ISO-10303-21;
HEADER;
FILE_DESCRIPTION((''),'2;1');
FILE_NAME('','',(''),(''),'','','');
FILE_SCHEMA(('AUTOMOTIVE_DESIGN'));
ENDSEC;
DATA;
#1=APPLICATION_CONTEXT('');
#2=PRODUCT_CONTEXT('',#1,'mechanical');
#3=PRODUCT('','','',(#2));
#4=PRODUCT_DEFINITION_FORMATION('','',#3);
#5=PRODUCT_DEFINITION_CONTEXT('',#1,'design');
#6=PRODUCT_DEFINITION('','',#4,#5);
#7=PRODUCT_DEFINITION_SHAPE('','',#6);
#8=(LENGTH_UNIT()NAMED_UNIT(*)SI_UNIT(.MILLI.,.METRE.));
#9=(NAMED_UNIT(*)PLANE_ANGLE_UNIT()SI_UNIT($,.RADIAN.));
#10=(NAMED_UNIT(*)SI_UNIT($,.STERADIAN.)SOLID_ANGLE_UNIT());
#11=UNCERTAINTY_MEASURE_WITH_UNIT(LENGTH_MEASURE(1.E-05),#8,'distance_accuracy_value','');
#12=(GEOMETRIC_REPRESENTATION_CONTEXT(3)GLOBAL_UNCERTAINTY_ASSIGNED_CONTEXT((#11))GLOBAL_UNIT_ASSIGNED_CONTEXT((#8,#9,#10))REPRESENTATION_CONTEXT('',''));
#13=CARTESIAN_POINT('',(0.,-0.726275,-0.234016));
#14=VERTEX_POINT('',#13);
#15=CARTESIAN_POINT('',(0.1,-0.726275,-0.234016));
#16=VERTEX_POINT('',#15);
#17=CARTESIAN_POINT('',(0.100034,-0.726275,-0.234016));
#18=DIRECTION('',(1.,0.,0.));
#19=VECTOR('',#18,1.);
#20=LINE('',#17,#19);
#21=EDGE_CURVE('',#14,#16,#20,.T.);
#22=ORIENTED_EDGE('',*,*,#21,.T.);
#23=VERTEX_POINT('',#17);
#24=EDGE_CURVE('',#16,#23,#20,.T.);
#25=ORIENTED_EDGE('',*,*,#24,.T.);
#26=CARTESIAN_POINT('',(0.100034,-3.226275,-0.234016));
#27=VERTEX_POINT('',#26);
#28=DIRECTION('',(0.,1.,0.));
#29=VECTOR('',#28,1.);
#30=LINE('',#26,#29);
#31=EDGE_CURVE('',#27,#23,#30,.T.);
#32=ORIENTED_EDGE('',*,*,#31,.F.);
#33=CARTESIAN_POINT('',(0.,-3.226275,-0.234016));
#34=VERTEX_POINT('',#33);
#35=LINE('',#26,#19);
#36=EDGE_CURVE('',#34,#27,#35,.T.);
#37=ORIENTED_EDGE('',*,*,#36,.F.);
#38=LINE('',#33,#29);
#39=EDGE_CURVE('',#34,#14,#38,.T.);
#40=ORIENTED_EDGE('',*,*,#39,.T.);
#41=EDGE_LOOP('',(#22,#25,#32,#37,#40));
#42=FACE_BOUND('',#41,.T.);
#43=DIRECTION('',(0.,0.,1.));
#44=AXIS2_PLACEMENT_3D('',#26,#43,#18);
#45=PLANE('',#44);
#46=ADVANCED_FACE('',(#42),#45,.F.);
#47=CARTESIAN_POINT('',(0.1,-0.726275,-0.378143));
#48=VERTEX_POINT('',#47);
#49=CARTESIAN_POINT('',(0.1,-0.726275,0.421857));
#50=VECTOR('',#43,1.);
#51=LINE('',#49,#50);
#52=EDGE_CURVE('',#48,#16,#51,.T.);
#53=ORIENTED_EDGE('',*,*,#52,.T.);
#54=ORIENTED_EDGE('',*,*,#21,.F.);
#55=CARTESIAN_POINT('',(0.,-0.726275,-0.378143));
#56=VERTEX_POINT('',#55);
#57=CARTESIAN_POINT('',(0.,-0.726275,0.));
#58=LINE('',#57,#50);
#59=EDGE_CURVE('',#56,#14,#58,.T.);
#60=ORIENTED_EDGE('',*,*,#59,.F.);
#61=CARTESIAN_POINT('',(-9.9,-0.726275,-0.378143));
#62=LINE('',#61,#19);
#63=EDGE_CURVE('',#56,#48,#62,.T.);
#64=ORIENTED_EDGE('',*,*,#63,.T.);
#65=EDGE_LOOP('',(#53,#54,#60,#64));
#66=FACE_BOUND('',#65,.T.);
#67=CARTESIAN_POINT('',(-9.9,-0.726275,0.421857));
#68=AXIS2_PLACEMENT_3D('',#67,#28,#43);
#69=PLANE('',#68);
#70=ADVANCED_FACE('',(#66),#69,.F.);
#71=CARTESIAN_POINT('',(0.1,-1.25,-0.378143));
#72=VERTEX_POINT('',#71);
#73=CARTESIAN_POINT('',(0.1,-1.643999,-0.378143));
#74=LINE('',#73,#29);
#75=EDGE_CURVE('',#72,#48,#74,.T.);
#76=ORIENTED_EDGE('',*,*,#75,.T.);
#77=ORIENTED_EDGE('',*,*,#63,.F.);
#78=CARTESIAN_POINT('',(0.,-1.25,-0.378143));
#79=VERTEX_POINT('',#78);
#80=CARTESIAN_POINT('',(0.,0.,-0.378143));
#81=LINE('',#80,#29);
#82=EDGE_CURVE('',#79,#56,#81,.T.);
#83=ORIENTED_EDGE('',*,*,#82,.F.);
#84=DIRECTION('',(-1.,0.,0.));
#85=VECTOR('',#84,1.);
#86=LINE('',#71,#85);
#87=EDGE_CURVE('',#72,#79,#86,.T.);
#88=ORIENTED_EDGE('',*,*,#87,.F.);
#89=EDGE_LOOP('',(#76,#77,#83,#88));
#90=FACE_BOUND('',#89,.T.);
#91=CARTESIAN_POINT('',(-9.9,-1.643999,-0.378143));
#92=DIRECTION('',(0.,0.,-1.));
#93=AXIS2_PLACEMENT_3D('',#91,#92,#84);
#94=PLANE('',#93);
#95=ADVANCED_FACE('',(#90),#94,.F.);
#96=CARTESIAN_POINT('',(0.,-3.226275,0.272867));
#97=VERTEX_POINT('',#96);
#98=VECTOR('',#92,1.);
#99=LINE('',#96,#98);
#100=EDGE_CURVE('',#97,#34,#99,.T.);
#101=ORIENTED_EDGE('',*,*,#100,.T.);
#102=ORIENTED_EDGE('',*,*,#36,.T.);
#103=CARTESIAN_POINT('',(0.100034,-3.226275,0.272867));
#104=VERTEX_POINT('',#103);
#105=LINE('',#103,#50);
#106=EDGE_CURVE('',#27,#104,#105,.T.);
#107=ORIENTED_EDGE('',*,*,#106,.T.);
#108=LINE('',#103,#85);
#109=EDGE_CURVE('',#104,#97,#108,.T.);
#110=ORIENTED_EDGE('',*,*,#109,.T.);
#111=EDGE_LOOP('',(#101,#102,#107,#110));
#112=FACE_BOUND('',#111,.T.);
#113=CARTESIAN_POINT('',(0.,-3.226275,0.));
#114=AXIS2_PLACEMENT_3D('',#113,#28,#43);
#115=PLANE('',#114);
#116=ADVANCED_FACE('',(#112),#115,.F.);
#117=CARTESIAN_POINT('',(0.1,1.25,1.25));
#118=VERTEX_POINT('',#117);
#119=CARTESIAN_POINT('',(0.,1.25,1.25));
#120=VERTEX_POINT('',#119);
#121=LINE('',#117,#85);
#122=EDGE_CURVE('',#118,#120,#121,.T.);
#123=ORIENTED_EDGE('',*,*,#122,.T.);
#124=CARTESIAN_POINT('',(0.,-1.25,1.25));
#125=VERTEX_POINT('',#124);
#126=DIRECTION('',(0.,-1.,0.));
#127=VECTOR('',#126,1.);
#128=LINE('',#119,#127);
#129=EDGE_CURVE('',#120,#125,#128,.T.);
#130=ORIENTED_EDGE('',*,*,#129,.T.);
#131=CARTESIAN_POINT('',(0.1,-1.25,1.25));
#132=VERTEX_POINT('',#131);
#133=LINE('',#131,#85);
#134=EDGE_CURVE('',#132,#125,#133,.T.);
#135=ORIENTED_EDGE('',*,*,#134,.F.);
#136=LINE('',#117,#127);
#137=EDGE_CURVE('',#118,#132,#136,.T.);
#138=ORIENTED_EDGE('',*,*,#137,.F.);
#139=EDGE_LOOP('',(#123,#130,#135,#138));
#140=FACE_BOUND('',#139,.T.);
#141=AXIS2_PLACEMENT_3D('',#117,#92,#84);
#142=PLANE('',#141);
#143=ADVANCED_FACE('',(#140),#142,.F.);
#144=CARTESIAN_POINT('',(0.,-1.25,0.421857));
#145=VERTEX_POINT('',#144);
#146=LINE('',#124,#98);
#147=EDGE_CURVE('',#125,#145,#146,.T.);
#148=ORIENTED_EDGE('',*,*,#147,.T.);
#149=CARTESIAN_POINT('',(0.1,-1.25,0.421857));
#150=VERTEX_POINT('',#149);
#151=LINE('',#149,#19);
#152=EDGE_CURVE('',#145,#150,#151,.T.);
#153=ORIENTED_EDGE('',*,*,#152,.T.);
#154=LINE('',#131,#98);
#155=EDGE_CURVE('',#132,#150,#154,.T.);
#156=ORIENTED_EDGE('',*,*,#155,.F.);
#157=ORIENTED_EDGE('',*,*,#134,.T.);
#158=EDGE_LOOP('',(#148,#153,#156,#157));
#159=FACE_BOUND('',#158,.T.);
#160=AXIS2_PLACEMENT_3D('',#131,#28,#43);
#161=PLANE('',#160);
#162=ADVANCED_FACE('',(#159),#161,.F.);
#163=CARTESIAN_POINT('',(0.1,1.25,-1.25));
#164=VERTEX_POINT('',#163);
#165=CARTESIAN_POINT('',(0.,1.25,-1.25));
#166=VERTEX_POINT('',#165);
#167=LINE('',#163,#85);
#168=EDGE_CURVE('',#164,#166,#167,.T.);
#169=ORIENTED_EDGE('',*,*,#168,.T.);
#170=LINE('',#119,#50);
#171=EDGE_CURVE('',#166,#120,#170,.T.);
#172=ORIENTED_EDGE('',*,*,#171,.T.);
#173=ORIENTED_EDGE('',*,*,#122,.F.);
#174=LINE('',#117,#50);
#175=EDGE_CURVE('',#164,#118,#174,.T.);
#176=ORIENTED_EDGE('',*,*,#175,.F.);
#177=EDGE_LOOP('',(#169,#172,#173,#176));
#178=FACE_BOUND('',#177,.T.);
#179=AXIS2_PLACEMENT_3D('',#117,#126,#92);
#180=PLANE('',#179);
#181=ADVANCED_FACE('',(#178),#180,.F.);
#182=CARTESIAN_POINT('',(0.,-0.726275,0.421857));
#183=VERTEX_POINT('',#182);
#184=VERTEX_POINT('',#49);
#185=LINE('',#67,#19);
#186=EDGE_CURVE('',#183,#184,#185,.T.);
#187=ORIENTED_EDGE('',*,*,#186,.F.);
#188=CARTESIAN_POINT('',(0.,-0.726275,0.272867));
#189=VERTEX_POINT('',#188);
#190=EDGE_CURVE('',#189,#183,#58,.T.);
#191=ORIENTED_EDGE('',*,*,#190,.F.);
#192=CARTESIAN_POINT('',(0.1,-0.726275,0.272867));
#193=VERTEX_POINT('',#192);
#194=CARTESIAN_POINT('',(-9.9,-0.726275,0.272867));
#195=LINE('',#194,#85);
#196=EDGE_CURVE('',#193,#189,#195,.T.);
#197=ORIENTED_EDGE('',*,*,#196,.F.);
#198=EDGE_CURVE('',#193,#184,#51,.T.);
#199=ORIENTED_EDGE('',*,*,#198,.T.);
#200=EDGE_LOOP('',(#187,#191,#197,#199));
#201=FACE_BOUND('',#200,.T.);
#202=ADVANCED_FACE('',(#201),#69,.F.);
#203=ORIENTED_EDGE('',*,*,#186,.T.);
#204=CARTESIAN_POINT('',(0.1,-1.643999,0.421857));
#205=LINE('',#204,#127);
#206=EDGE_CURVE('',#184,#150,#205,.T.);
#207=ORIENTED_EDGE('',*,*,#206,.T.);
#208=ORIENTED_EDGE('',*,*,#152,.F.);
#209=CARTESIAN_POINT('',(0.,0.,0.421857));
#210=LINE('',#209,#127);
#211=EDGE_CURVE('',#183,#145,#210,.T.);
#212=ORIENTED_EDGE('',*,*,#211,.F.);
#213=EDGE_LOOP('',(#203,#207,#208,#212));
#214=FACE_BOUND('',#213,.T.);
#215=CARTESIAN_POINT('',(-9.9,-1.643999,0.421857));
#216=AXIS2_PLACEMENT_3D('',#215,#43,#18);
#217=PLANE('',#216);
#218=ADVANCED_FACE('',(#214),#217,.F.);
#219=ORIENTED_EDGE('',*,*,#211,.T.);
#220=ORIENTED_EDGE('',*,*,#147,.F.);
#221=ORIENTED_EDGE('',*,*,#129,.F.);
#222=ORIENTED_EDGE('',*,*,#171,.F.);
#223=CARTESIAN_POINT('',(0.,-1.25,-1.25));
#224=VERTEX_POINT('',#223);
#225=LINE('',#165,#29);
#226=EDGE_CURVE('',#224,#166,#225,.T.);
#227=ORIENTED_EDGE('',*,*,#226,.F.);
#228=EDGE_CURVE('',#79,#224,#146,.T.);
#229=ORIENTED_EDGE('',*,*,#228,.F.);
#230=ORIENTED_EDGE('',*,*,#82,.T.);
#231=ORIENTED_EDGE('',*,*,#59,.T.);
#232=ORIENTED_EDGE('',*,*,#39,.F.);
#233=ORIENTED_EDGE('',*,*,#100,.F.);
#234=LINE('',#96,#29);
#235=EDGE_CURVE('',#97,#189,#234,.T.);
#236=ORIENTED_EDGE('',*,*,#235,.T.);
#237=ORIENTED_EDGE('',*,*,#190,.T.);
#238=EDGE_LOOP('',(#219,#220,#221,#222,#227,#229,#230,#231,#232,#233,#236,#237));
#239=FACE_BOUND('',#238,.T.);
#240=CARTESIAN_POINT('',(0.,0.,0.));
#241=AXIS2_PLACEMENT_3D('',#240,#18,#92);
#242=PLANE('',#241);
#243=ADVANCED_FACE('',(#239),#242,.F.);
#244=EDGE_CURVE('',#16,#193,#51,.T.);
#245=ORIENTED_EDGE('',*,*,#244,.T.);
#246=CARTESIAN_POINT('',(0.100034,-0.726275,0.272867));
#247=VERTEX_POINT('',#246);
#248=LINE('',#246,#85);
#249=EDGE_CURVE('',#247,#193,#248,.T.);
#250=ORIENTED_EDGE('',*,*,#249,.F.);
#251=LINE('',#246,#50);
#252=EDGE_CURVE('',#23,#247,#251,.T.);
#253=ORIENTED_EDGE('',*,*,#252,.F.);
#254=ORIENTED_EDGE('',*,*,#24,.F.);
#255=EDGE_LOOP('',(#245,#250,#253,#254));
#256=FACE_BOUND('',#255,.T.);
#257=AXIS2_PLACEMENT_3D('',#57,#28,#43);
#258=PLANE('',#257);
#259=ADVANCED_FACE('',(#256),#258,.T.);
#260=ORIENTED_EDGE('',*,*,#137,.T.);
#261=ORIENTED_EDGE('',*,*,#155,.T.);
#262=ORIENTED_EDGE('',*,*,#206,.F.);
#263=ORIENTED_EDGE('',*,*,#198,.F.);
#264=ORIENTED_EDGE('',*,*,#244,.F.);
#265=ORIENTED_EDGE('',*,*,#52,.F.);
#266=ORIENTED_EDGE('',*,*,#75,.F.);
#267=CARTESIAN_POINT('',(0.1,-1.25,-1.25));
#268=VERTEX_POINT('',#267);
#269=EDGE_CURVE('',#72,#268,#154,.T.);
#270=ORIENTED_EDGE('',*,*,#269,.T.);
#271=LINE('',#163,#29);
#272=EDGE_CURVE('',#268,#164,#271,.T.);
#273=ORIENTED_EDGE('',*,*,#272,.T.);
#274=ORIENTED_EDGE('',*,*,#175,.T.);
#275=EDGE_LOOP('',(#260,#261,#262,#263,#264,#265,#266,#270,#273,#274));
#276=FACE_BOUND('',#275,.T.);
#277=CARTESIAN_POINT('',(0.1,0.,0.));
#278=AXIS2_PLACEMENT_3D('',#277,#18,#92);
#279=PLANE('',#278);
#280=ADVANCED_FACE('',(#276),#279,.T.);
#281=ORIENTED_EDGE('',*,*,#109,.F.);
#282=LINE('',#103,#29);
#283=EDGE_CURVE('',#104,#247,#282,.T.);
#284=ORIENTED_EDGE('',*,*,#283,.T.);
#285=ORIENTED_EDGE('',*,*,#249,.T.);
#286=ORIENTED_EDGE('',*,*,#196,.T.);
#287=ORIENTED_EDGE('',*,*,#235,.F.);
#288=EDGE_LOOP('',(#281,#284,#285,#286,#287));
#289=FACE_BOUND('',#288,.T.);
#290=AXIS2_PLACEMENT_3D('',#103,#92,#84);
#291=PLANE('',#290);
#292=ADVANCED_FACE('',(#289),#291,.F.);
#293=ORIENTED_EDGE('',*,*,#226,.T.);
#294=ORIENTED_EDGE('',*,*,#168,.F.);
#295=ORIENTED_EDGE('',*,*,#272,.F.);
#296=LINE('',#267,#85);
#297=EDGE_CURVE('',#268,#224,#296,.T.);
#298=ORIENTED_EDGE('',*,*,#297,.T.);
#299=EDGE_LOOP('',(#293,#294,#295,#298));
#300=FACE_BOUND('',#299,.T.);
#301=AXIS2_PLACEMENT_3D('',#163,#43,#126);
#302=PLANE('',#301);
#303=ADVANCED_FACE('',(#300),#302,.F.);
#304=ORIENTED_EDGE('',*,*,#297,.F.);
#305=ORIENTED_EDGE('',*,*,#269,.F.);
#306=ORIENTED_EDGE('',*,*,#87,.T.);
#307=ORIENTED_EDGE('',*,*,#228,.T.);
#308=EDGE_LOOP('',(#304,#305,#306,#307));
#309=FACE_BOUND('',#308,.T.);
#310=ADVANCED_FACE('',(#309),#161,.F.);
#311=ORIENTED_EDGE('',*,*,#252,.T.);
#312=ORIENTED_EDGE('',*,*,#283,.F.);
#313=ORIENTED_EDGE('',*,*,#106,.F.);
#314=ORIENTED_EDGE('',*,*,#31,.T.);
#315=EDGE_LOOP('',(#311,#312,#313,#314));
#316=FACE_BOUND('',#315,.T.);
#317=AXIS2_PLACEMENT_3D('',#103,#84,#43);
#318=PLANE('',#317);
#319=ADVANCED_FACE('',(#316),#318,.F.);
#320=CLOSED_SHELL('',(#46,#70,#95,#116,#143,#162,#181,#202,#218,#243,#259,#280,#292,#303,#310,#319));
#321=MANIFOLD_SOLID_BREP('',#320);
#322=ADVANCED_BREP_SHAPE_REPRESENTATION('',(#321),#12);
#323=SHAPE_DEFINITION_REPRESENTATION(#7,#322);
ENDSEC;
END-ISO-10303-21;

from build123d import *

# Parameters (mm, degrees)
SKETCH1_W           = 2.5
SKETCH1_H           = 2.5
BOSS_EXTRUDE1_DEPTH = 0.1
SKETCH3_W           = 0.8
SKETCH3_H           = 0.917724766
CUT_EXTRUDE3_DEPTH  = 10
SKETCH4_W           = 0.100034456
SKETCH4_H           = 0.50688293
BOSS_EXTRUDE3_DEPTH = 2.5


with BuildPart() as part:
    # Sketch1 → Boss-Extrude1 (new body)
    with BuildSketch(Plane(origin=(0, 0, 0), x_dir=(0, 0, -1), z_dir=(1, 0, 0))):
        Rectangle(SKETCH1_W, SKETCH1_H)
    extrude(amount=BOSS_EXTRUDE1_DEPTH)

    # Sketch3 → Cut-Extrude3 (cut)
    with BuildSketch(Plane(origin=(0.1, 0, 0), x_dir=(0, 0, -1), z_dir=(1, 0, 0))):
        with Locations((-0.021857305, -1.185137072)):
            Rectangle(SKETCH3_W, SKETCH3_H)
    extrude(amount=-CUT_EXTRUDE3_DEPTH, mode=Mode.SUBTRACT)

    # Sketch4 → Boss-Extrude3 (add)
    with BuildSketch(Plane(origin=(0, -0.726274689, 0), x_dir=(-1, 0, 0), z_dir=(0, -1, 0))):
        with Locations((-0.050017228, -0.019425151)):
            Rectangle(SKETCH4_W, SKETCH4_H)
    extrude(amount=BOSS_EXTRUDE3_DEPTH)


solid = part.part
